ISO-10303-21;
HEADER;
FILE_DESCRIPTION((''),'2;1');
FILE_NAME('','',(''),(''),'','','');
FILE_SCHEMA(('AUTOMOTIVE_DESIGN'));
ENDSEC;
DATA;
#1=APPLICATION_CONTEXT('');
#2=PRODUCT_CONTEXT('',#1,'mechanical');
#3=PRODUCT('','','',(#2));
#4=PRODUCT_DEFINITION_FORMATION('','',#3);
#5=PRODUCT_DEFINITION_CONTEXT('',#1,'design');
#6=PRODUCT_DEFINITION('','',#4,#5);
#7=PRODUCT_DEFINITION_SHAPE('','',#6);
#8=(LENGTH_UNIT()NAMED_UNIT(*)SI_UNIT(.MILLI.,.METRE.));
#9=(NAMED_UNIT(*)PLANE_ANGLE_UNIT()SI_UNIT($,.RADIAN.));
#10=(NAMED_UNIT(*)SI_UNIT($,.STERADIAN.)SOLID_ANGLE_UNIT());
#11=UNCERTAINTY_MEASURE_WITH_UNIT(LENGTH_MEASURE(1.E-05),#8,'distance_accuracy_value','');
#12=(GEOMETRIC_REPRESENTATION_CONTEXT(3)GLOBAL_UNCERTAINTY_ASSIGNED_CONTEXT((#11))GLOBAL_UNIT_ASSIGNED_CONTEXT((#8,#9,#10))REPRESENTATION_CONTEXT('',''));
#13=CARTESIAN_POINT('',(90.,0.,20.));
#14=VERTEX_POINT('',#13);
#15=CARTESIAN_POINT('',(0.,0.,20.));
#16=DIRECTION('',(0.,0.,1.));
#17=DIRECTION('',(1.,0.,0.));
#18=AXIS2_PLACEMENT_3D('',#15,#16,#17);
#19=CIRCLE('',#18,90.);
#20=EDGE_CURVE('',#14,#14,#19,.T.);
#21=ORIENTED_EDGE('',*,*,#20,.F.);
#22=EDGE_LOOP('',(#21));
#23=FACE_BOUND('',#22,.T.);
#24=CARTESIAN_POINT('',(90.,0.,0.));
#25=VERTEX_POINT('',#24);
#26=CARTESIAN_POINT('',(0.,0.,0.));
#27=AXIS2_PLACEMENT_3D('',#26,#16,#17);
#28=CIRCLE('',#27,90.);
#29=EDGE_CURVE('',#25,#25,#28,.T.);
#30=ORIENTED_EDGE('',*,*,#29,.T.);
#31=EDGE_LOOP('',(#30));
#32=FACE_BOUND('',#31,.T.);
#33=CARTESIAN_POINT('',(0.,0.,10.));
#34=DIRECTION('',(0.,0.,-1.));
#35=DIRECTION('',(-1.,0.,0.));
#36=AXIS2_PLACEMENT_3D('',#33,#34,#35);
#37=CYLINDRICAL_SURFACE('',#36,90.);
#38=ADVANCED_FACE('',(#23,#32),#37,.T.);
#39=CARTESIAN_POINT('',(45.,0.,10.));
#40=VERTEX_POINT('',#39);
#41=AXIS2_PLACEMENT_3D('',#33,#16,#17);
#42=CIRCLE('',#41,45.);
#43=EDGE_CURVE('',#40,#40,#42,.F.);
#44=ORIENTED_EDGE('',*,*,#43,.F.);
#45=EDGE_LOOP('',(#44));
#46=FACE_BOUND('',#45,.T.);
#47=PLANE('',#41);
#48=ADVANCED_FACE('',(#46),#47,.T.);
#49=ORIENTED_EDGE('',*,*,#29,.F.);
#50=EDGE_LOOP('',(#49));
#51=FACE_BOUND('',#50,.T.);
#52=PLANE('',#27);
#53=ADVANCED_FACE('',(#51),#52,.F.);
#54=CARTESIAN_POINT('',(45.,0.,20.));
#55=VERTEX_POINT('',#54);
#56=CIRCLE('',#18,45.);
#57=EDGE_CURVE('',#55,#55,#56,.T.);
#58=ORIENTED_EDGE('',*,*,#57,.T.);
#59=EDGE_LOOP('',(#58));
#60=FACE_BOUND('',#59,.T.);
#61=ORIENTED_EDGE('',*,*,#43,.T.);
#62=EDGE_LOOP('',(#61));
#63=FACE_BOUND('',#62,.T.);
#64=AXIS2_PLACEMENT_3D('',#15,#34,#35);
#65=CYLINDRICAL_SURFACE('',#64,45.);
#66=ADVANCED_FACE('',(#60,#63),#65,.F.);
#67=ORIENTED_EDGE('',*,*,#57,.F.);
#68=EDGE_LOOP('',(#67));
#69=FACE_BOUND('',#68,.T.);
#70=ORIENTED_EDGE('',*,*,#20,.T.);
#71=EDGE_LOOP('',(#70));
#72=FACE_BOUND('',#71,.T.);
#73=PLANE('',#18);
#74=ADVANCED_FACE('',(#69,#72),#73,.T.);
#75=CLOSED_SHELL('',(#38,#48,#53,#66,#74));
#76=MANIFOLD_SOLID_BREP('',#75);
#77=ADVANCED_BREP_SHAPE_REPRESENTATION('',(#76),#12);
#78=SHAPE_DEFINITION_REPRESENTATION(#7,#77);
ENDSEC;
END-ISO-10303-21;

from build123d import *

# Parameters (mm, degrees)
IZIM1_R                     = 90
Y_KSEKLIK_EKSTR_ZYON1_DEPTH = 10
IZIM2_R                     = 90
IZIM2_R_2                   = 45
Y_KSEKLIK_EKSTR_ZYON2_DEPTH = 10


with BuildPart() as part:
    # Çizim1 → Yükseklik-Ekstrüzyon1 (new body)
    with BuildSketch(Plane.XY):
        Circle(IZIM1_R)
    extrude(amount=Y_KSEKLIK_EKSTR_ZYON1_DEPTH)

    # Çizim2 → Yükseklik-Ekstrüzyon2 (add)
    with BuildSketch(Plane.XY.offset(10)):
        Circle(IZIM2_R)
        Circle(IZIM2_R_2, mode=Mode.SUBTRACT)
    extrude(amount=Y_KSEKLIK_EKSTR_ZYON2_DEPTH)


solid = part.part
